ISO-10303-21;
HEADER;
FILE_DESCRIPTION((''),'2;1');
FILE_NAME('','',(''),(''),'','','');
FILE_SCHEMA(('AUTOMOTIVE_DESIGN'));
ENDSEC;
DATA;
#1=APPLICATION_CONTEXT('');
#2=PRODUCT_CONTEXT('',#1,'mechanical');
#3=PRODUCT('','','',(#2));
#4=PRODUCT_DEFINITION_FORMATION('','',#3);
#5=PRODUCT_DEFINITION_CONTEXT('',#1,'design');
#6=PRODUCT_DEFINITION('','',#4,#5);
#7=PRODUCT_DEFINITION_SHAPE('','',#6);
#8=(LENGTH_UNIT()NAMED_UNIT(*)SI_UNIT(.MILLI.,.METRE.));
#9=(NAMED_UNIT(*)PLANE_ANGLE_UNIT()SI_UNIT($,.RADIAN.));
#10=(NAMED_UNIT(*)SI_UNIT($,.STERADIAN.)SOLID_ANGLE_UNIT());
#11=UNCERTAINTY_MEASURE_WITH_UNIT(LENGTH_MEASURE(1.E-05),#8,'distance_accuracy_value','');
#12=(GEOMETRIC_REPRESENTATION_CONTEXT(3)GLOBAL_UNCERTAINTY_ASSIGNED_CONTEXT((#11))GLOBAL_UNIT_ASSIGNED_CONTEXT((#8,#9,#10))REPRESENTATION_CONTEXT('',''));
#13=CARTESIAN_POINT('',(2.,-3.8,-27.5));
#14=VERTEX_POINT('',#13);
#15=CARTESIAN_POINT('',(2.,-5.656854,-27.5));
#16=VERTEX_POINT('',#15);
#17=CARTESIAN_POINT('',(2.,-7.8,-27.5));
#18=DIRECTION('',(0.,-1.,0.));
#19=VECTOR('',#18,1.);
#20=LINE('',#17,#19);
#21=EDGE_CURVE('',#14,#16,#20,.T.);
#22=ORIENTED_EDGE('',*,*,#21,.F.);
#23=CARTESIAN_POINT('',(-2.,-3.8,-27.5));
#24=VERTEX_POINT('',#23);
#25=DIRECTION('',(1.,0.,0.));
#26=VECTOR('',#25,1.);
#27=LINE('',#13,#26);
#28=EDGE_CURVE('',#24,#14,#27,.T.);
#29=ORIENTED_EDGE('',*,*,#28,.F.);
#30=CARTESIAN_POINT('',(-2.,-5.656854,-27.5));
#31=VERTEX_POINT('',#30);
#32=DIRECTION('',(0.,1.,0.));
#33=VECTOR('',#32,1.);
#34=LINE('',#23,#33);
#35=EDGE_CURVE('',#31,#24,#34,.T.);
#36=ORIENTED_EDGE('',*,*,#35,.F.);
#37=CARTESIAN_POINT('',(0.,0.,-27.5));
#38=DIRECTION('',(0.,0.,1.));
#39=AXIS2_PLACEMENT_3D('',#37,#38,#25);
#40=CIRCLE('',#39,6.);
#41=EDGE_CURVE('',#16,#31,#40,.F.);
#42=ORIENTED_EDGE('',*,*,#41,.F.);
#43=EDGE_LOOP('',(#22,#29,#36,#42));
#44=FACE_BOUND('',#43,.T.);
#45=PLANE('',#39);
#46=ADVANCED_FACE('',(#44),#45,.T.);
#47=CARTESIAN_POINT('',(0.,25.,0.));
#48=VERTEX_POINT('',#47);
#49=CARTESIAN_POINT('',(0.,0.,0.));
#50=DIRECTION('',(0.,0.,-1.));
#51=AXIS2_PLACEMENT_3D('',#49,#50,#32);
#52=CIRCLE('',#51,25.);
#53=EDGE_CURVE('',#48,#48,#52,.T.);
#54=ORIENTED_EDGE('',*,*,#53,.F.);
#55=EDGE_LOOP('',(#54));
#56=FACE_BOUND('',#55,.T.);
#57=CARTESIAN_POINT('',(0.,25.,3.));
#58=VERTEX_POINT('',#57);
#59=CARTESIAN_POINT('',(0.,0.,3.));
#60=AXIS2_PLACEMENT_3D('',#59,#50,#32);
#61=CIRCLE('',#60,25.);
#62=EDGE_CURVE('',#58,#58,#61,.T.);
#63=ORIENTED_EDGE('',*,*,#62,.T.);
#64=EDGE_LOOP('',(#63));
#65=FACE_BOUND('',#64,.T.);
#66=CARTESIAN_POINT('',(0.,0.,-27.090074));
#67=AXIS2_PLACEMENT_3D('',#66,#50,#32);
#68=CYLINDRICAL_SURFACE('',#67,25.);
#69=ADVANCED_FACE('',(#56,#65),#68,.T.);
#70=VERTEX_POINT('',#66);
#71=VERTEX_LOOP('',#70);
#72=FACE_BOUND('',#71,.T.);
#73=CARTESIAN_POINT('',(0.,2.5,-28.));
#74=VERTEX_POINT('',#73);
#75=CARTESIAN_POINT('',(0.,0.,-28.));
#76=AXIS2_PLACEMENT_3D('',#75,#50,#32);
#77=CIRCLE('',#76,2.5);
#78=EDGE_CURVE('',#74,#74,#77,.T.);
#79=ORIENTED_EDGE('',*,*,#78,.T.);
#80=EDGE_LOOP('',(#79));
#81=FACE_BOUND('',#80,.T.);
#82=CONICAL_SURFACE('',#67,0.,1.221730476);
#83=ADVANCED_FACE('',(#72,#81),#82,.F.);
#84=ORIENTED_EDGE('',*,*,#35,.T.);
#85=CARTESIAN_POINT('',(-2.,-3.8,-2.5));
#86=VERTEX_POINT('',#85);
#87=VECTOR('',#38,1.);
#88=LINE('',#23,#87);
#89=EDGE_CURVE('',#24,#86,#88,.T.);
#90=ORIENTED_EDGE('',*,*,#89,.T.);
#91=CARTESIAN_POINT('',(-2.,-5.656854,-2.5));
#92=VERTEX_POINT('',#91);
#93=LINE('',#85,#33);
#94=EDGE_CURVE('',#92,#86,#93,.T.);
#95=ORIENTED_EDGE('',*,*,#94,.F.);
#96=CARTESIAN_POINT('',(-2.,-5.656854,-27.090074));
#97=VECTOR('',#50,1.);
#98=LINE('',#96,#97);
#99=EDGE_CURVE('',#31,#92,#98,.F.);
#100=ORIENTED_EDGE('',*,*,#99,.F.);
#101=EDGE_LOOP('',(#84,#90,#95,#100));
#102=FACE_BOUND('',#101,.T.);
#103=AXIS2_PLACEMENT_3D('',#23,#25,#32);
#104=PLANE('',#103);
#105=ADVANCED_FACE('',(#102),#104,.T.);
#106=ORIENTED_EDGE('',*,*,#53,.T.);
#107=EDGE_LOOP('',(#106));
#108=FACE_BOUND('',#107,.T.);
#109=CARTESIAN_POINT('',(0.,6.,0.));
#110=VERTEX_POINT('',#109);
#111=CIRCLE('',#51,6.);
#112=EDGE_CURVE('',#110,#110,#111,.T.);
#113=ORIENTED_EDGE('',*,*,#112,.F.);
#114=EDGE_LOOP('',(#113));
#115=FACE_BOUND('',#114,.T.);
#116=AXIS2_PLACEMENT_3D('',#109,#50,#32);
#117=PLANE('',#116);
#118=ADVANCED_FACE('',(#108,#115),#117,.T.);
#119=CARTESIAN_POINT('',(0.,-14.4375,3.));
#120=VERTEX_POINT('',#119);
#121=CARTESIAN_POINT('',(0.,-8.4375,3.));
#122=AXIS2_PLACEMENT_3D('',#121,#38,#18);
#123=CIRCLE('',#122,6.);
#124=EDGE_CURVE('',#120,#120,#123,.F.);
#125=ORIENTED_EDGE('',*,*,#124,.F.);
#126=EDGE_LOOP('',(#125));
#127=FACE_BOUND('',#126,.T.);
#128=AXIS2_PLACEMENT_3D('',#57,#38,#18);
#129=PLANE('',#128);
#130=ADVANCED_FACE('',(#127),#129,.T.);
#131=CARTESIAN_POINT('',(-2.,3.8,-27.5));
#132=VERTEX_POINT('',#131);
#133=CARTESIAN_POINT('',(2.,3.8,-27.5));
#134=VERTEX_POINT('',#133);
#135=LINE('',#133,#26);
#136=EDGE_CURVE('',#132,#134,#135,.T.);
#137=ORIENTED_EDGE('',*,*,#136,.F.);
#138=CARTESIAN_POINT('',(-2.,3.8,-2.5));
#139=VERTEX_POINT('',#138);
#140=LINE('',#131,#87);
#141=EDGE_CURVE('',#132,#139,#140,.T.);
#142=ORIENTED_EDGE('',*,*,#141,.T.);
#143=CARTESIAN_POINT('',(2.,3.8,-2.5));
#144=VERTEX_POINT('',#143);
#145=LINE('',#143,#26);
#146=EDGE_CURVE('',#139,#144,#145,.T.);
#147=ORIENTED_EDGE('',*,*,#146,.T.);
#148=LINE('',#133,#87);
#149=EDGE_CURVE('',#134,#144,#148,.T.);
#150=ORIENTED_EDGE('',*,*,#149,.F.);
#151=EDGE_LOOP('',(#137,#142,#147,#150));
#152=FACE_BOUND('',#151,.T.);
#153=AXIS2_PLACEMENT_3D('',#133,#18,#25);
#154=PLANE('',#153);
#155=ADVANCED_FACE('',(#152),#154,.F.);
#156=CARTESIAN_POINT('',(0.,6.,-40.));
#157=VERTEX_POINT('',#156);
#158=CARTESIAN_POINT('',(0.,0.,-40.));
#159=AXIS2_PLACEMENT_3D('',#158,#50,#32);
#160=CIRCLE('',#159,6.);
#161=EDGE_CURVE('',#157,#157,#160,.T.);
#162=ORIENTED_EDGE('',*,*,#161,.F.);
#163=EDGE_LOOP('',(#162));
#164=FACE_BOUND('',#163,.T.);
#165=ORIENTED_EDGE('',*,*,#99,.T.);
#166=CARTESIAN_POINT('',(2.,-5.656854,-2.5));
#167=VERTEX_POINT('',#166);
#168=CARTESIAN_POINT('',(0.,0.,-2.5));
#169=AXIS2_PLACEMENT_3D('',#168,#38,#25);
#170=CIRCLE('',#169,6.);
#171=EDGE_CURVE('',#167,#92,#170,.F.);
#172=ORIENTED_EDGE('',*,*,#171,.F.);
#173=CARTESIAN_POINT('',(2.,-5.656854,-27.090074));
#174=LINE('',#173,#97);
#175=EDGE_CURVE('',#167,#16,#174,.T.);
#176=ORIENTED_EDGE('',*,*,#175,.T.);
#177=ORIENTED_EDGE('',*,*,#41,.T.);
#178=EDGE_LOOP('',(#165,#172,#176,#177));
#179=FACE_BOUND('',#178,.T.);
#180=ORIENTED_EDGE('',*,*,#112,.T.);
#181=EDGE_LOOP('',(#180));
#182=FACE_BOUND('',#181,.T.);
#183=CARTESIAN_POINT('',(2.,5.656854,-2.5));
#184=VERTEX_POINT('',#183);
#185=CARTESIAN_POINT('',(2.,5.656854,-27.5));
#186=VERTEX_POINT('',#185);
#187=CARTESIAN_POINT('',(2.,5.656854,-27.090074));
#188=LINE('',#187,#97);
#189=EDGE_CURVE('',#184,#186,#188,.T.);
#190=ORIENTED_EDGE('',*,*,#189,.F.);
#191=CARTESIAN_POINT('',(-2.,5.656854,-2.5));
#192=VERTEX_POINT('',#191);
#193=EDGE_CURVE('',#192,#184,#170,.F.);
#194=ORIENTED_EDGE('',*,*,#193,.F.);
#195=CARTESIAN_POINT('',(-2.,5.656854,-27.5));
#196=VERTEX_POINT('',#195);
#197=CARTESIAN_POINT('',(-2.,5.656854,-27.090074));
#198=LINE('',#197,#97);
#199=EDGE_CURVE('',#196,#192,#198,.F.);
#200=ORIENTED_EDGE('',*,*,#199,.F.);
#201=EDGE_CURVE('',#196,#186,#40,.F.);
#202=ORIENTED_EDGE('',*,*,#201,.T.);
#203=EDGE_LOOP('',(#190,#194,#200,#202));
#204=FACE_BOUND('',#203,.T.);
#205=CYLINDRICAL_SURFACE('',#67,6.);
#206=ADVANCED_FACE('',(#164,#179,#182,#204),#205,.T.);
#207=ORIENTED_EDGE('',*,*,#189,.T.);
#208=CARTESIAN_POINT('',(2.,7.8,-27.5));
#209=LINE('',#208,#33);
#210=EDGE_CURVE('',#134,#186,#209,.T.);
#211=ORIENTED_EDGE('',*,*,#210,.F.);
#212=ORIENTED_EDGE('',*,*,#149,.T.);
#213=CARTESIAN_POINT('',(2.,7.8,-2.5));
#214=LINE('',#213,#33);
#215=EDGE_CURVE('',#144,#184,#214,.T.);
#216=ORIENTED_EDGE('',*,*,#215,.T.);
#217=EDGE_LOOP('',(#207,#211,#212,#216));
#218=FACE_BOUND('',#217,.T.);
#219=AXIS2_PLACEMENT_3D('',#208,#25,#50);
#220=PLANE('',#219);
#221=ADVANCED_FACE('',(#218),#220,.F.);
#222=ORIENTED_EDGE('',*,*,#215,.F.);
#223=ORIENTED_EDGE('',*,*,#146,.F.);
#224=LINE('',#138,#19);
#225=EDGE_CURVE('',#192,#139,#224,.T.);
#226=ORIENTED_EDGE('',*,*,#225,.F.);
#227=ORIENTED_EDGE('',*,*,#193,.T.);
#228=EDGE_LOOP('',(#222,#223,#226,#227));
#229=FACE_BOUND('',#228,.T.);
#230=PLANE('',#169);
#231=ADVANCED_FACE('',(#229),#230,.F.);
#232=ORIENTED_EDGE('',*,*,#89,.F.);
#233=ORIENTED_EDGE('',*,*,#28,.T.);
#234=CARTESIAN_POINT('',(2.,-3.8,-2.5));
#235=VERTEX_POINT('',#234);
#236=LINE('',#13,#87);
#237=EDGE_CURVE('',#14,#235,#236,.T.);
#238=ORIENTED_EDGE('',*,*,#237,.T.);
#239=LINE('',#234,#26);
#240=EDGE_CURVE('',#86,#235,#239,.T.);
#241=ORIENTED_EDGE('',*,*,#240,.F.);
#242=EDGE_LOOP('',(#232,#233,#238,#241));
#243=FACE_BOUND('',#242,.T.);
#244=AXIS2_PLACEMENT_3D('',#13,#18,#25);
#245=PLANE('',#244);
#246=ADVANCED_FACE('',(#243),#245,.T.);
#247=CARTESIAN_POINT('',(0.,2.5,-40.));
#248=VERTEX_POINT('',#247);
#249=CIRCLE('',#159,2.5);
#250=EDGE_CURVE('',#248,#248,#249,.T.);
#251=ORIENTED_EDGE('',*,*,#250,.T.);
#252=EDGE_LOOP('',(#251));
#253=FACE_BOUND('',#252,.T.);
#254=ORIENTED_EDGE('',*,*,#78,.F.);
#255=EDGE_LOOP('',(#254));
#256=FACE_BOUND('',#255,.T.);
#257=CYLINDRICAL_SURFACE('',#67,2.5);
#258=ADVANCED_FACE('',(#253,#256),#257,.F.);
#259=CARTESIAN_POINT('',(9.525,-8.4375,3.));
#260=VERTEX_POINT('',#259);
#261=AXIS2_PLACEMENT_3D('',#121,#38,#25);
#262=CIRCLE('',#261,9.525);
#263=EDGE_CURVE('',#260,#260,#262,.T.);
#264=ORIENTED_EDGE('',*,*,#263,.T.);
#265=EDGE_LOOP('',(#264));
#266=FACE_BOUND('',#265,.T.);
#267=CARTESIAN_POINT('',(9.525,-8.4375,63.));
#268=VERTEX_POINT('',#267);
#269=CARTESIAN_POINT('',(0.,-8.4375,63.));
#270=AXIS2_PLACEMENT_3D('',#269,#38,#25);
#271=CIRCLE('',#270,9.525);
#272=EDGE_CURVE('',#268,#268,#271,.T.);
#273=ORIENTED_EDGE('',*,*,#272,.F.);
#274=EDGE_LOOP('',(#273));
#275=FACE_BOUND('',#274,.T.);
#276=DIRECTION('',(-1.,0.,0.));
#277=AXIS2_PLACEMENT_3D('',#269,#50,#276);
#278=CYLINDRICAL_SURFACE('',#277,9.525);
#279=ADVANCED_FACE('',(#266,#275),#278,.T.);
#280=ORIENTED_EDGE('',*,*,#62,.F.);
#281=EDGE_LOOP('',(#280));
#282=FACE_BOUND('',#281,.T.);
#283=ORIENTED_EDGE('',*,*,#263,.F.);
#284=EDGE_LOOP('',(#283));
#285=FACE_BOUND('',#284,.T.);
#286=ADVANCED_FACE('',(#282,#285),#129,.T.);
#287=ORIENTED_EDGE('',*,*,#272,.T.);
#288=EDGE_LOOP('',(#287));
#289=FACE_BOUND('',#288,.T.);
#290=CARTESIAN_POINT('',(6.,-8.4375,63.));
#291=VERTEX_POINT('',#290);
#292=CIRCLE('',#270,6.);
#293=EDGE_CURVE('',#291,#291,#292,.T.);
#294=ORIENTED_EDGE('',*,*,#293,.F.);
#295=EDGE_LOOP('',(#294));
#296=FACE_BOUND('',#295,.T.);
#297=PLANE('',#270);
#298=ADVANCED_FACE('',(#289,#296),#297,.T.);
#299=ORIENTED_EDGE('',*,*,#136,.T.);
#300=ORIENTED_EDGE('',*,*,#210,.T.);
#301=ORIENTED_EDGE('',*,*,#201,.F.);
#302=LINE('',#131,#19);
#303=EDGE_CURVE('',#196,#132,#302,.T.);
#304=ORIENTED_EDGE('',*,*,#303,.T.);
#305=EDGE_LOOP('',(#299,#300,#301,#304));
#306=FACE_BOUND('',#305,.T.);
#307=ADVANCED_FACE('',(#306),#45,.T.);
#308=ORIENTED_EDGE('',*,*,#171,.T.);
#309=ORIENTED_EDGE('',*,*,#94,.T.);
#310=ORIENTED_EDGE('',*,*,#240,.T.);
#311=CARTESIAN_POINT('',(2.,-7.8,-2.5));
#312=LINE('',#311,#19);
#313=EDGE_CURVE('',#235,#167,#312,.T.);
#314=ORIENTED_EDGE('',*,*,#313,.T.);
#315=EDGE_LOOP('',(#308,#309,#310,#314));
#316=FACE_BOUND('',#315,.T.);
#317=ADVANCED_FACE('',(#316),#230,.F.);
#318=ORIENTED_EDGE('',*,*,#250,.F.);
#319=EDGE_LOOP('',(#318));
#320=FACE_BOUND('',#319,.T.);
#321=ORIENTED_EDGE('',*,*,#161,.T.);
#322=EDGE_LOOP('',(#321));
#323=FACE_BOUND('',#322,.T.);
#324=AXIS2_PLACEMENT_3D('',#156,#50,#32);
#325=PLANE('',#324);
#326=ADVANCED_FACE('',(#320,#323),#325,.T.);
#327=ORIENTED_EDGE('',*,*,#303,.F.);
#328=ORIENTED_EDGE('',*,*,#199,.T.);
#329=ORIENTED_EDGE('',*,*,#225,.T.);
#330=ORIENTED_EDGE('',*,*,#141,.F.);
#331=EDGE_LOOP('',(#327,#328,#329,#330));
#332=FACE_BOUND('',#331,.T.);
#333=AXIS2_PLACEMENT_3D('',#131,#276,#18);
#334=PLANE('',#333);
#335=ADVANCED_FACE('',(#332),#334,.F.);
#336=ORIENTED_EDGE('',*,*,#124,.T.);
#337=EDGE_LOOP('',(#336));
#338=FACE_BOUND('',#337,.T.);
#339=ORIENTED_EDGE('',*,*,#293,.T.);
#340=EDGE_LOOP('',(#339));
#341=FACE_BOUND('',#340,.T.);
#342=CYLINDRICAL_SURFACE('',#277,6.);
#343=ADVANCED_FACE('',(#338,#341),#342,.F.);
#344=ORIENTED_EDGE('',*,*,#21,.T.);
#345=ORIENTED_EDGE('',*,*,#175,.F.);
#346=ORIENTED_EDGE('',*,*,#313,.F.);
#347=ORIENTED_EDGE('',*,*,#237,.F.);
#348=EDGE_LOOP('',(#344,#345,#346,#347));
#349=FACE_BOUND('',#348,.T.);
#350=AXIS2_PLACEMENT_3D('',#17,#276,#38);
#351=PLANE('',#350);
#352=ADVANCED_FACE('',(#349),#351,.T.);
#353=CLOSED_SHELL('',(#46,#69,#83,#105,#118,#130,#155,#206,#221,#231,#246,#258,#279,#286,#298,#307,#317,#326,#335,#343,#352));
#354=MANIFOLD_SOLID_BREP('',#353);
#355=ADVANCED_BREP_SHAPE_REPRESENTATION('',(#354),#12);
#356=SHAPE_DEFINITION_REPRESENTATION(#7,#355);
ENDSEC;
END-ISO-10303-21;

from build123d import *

# Parameters (mm, degrees)
SKETCH2_R           = 9.525
SKETCH2_R_2         = 6
BOSS_EXTRUDE1_DEPTH = 60
CUT_EXTRUDE1_START  = 2.5
SKETCH5_W           = 4
SKETCH5_H           = 4
CUT_EXTRUDE1_DEPTH  = 25


with BuildPart() as part:
    # Sketch1 → Revolve1 (revolve)
    with BuildSketch(Plane(origin=(0, 0, 0), x_dir=(0, 0, -1), z_dir=(1, 0, 0))):
        Polygon((0, 6), (0, 25), (-3, 25), (-3, 0), (27.090074414, 0), (28, 2.5), (40, 2.5), (40, 6), align=None)
    revolve(axis=Axis((0, 0, -27.090074414), (0, 0, 1)))

    # Sketch2 → Boss-Extrude1 (add)
    with BuildSketch(Plane.XY.offset(3)):
        with Locations((0, -8.4375)):
            Circle(SKETCH2_R)
        with Locations((0, -8.4375)):
            Circle(SKETCH2_R_2, mode=Mode.SUBTRACT)
    extrude(amount=BOSS_EXTRUDE1_DEPTH)

    # Sketch5 → Cut-Extrude1 (cut)
    with BuildSketch(Plane(origin=(0, 0, 0), x_dir=(-1, 0, 0), z_dir=(0, 0, -1)).offset(CUT_EXTRUDE1_START)):
        with Locations((0, -5.8)):
            Rectangle(SKETCH5_W, SKETCH5_H)
    cut_extrude1 = extrude(amount=CUT_EXTRUDE1_DEPTH, mode=Mode.SUBTRACT)

    # Mirror1: Cut-Extrude1 across plane
    add(cut_extrude1.mirror(Plane.ZX), mode=Mode.SUBTRACT)


solid = part.part
